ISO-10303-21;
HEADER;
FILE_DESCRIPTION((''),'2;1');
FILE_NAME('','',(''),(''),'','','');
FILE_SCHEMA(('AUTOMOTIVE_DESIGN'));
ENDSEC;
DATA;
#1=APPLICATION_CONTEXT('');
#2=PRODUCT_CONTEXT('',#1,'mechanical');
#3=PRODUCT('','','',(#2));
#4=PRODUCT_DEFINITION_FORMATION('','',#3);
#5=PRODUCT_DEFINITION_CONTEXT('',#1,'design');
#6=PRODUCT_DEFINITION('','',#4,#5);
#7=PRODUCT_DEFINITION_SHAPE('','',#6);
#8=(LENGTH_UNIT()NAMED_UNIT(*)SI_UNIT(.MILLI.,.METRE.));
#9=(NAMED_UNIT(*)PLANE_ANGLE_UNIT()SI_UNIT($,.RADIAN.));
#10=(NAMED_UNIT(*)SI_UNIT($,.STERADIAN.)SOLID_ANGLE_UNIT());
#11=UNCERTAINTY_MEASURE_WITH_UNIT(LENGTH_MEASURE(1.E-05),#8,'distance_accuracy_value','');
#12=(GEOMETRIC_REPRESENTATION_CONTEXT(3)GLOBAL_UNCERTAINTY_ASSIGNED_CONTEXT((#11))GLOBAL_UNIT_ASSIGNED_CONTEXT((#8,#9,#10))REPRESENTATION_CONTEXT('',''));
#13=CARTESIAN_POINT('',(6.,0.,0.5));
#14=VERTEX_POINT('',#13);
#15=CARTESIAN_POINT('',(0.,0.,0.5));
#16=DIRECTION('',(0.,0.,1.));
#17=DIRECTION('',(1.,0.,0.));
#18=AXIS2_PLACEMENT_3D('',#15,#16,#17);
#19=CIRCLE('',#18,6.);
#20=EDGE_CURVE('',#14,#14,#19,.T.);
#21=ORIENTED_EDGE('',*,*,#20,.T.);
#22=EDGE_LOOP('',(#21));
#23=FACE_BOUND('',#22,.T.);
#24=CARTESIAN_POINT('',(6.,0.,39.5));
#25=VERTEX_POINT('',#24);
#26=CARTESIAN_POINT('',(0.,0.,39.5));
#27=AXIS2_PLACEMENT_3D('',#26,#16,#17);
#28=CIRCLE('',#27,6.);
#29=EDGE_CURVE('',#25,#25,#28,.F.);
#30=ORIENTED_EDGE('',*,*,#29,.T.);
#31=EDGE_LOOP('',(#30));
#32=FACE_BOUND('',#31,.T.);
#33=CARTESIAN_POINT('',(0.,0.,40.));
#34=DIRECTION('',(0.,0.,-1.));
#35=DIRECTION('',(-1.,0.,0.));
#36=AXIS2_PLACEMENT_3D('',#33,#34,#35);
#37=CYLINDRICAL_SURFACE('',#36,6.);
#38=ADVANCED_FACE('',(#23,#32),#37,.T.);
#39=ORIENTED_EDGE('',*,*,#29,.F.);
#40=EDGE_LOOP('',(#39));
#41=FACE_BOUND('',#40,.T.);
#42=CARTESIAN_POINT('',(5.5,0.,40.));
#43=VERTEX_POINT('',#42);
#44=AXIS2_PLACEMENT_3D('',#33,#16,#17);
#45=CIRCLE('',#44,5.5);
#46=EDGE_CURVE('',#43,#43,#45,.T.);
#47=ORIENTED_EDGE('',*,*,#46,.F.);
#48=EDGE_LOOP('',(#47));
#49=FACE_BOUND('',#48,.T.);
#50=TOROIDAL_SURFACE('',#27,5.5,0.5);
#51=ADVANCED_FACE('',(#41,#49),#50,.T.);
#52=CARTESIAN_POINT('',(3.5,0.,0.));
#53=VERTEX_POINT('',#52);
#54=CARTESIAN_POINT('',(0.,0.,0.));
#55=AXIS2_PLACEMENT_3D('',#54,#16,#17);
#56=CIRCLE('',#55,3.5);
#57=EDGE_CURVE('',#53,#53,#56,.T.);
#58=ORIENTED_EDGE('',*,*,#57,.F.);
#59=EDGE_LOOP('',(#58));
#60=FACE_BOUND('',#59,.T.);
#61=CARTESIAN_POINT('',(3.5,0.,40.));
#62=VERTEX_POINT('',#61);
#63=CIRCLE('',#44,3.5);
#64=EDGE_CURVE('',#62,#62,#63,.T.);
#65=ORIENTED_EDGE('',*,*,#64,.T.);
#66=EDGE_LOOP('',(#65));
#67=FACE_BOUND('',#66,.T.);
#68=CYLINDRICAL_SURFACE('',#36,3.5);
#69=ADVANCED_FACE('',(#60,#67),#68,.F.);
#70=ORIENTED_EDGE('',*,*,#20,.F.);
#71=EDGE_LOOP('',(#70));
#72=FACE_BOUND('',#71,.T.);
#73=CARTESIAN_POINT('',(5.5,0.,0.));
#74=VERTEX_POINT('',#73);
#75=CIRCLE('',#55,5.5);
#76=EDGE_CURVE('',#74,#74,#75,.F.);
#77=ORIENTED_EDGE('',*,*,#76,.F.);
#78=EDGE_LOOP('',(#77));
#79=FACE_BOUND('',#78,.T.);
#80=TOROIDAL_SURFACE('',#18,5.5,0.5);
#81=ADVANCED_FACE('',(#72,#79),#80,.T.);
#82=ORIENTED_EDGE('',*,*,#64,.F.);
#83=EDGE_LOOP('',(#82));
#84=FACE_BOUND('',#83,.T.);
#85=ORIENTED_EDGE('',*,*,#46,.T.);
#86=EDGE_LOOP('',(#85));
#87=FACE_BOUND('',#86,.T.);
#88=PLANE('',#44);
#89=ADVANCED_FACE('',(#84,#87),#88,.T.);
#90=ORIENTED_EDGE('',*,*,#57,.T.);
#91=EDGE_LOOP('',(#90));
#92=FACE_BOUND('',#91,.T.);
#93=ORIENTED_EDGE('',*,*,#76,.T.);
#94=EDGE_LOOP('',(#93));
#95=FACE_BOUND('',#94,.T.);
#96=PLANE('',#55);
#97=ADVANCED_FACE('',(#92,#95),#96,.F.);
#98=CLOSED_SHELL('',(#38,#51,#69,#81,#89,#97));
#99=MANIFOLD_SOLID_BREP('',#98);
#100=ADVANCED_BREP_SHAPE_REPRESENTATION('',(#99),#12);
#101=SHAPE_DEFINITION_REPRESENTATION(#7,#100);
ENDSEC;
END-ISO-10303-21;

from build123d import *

# Parameters (mm, degrees)
SKETCH1_R           = 6
SKETCH1_R_2         = 3.5
BOSS_EXTRUDE1_DEPTH = 40
FILLET1_R           = 0.5
FILLET2_R           = 0.5


with BuildPart() as part:
    # Sketch1 → Boss-Extrude1 (new body)
    with BuildSketch(Plane.XY):
        Circle(SKETCH1_R)
        Circle(SKETCH1_R_2, mode=Mode.SUBTRACT)
    extrude(amount=BOSS_EXTRUDE1_DEPTH)

    # Fillet1
    fillet1_edges = [part.edges().sort_by_distance(p)[0] for p in [
        (-6, 0, 40),
    ]]
    fillet(fillet1_edges, radius=FILLET1_R)

    # Fillet2
    fillet2_edges = [part.edges().sort_by_distance(p)[0] for p in [
        (-6, 0, 0),
    ]]
    fillet(fillet2_edges, radius=FILLET2_R)


solid = part.part
